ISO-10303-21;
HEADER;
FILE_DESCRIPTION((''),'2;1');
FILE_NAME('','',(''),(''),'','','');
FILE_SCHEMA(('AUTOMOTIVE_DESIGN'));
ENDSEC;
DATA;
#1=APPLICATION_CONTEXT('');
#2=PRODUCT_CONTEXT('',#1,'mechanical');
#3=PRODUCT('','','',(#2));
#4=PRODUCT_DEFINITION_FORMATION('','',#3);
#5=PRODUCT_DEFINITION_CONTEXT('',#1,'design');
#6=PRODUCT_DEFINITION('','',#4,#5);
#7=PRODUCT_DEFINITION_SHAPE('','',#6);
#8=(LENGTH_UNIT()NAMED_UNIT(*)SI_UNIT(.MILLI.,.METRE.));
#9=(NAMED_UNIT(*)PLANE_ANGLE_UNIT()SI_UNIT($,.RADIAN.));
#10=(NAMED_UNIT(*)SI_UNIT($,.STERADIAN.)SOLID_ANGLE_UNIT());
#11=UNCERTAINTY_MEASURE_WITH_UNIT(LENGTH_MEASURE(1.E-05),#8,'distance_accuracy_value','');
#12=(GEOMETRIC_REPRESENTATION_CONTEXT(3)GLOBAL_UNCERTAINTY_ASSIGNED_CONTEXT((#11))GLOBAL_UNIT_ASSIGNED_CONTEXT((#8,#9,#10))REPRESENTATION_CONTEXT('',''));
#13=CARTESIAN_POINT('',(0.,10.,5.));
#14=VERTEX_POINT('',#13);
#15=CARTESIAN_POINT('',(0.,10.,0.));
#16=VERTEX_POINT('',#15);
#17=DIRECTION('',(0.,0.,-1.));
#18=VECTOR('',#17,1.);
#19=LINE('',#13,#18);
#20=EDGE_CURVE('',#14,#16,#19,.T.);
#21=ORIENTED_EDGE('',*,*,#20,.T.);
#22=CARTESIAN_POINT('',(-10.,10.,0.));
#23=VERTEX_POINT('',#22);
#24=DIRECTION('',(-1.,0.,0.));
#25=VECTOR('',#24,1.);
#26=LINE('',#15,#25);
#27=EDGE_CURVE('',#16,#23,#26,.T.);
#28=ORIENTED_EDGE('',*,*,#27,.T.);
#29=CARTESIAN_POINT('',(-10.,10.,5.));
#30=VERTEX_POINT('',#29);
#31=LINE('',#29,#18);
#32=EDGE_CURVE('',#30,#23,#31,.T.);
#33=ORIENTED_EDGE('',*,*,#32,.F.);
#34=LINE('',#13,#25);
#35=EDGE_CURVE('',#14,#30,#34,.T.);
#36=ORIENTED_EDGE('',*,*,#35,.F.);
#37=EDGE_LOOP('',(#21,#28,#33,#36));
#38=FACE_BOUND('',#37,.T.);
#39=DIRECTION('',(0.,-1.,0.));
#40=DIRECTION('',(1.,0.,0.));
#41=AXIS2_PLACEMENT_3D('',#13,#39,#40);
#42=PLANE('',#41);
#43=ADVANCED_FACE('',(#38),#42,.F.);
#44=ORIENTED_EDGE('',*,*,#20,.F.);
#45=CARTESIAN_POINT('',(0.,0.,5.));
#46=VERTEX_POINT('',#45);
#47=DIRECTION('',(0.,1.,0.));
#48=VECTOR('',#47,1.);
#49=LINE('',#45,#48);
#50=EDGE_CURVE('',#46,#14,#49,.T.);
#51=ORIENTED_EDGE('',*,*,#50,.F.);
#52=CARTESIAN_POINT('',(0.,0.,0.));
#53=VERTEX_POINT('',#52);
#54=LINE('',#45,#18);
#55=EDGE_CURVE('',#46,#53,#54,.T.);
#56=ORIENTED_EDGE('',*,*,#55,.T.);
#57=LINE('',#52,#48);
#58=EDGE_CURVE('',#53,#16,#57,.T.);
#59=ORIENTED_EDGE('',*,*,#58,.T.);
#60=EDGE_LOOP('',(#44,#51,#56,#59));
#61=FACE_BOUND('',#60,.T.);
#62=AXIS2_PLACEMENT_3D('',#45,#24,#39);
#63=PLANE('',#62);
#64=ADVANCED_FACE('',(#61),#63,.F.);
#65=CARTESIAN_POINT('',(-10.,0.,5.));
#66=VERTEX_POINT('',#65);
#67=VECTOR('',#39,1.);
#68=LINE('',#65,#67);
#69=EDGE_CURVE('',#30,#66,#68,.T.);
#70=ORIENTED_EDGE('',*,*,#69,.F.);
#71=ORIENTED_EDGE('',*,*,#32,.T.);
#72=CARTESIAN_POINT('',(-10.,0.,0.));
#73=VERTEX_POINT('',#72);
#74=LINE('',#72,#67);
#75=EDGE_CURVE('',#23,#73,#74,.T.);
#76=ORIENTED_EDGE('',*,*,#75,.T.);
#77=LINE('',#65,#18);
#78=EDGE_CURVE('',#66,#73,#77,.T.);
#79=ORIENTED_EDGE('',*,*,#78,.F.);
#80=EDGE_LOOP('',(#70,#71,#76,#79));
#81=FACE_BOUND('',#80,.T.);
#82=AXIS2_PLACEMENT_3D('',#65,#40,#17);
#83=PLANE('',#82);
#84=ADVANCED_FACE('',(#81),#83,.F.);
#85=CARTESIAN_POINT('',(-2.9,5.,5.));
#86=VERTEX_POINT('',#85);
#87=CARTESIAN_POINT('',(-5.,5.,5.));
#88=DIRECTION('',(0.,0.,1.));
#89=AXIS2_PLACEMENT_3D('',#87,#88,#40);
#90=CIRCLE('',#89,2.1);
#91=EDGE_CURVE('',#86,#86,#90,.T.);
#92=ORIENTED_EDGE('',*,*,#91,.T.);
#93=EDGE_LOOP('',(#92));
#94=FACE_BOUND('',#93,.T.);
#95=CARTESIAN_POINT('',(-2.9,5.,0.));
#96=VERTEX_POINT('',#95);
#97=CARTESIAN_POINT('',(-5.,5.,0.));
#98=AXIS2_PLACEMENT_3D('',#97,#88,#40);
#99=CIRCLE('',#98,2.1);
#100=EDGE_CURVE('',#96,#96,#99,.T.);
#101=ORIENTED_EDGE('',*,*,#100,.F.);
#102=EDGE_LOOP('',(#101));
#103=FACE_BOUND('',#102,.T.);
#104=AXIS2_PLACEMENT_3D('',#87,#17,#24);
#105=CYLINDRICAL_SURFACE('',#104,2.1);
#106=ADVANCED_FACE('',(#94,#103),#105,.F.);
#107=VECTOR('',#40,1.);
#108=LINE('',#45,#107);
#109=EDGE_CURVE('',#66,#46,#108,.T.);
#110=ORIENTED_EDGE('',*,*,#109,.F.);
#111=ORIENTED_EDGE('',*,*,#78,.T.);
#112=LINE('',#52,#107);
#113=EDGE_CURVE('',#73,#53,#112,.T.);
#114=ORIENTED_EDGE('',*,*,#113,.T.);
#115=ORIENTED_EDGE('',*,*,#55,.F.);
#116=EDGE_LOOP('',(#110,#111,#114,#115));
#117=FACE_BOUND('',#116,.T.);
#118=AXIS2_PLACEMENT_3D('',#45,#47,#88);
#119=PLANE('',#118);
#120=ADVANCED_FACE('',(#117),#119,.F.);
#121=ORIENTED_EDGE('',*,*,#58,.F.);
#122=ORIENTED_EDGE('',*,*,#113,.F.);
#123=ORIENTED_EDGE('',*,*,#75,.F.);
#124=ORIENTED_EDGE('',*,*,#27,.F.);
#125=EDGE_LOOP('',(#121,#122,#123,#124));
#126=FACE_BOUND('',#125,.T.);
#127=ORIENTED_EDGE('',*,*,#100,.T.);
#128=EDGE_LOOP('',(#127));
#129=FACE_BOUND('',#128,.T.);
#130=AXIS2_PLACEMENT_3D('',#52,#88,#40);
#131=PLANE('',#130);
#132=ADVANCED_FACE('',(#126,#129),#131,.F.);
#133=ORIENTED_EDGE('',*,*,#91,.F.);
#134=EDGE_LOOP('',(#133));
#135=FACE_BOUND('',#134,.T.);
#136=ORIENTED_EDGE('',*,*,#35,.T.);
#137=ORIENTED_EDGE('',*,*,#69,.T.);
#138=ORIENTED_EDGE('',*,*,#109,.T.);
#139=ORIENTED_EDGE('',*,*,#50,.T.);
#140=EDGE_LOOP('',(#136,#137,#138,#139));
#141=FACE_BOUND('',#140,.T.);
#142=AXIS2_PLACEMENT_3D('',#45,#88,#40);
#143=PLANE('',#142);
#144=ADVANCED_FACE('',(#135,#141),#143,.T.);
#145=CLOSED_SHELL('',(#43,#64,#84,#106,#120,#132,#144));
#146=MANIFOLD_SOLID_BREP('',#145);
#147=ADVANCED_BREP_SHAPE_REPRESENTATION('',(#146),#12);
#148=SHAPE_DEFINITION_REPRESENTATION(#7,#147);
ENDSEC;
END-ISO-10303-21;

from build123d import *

# Parameters (mm, degrees)
SKETCH1_W           = 10
SKETCH1_H           = 10
SKETCH1_R           = 2.1
BOSS_EXTRUDE1_DEPTH = 5


with BuildPart() as part:
    # Sketch1 → Boss-Extrude1 (new body)
    with BuildSketch(Plane.XY):
        with Locations((-5, 5)):
            Rectangle(SKETCH1_W, SKETCH1_H)
        with Locations((-5, 5)):
            Circle(SKETCH1_R, mode=Mode.SUBTRACT)
    extrude(amount=BOSS_EXTRUDE1_DEPTH)


solid = part.part
